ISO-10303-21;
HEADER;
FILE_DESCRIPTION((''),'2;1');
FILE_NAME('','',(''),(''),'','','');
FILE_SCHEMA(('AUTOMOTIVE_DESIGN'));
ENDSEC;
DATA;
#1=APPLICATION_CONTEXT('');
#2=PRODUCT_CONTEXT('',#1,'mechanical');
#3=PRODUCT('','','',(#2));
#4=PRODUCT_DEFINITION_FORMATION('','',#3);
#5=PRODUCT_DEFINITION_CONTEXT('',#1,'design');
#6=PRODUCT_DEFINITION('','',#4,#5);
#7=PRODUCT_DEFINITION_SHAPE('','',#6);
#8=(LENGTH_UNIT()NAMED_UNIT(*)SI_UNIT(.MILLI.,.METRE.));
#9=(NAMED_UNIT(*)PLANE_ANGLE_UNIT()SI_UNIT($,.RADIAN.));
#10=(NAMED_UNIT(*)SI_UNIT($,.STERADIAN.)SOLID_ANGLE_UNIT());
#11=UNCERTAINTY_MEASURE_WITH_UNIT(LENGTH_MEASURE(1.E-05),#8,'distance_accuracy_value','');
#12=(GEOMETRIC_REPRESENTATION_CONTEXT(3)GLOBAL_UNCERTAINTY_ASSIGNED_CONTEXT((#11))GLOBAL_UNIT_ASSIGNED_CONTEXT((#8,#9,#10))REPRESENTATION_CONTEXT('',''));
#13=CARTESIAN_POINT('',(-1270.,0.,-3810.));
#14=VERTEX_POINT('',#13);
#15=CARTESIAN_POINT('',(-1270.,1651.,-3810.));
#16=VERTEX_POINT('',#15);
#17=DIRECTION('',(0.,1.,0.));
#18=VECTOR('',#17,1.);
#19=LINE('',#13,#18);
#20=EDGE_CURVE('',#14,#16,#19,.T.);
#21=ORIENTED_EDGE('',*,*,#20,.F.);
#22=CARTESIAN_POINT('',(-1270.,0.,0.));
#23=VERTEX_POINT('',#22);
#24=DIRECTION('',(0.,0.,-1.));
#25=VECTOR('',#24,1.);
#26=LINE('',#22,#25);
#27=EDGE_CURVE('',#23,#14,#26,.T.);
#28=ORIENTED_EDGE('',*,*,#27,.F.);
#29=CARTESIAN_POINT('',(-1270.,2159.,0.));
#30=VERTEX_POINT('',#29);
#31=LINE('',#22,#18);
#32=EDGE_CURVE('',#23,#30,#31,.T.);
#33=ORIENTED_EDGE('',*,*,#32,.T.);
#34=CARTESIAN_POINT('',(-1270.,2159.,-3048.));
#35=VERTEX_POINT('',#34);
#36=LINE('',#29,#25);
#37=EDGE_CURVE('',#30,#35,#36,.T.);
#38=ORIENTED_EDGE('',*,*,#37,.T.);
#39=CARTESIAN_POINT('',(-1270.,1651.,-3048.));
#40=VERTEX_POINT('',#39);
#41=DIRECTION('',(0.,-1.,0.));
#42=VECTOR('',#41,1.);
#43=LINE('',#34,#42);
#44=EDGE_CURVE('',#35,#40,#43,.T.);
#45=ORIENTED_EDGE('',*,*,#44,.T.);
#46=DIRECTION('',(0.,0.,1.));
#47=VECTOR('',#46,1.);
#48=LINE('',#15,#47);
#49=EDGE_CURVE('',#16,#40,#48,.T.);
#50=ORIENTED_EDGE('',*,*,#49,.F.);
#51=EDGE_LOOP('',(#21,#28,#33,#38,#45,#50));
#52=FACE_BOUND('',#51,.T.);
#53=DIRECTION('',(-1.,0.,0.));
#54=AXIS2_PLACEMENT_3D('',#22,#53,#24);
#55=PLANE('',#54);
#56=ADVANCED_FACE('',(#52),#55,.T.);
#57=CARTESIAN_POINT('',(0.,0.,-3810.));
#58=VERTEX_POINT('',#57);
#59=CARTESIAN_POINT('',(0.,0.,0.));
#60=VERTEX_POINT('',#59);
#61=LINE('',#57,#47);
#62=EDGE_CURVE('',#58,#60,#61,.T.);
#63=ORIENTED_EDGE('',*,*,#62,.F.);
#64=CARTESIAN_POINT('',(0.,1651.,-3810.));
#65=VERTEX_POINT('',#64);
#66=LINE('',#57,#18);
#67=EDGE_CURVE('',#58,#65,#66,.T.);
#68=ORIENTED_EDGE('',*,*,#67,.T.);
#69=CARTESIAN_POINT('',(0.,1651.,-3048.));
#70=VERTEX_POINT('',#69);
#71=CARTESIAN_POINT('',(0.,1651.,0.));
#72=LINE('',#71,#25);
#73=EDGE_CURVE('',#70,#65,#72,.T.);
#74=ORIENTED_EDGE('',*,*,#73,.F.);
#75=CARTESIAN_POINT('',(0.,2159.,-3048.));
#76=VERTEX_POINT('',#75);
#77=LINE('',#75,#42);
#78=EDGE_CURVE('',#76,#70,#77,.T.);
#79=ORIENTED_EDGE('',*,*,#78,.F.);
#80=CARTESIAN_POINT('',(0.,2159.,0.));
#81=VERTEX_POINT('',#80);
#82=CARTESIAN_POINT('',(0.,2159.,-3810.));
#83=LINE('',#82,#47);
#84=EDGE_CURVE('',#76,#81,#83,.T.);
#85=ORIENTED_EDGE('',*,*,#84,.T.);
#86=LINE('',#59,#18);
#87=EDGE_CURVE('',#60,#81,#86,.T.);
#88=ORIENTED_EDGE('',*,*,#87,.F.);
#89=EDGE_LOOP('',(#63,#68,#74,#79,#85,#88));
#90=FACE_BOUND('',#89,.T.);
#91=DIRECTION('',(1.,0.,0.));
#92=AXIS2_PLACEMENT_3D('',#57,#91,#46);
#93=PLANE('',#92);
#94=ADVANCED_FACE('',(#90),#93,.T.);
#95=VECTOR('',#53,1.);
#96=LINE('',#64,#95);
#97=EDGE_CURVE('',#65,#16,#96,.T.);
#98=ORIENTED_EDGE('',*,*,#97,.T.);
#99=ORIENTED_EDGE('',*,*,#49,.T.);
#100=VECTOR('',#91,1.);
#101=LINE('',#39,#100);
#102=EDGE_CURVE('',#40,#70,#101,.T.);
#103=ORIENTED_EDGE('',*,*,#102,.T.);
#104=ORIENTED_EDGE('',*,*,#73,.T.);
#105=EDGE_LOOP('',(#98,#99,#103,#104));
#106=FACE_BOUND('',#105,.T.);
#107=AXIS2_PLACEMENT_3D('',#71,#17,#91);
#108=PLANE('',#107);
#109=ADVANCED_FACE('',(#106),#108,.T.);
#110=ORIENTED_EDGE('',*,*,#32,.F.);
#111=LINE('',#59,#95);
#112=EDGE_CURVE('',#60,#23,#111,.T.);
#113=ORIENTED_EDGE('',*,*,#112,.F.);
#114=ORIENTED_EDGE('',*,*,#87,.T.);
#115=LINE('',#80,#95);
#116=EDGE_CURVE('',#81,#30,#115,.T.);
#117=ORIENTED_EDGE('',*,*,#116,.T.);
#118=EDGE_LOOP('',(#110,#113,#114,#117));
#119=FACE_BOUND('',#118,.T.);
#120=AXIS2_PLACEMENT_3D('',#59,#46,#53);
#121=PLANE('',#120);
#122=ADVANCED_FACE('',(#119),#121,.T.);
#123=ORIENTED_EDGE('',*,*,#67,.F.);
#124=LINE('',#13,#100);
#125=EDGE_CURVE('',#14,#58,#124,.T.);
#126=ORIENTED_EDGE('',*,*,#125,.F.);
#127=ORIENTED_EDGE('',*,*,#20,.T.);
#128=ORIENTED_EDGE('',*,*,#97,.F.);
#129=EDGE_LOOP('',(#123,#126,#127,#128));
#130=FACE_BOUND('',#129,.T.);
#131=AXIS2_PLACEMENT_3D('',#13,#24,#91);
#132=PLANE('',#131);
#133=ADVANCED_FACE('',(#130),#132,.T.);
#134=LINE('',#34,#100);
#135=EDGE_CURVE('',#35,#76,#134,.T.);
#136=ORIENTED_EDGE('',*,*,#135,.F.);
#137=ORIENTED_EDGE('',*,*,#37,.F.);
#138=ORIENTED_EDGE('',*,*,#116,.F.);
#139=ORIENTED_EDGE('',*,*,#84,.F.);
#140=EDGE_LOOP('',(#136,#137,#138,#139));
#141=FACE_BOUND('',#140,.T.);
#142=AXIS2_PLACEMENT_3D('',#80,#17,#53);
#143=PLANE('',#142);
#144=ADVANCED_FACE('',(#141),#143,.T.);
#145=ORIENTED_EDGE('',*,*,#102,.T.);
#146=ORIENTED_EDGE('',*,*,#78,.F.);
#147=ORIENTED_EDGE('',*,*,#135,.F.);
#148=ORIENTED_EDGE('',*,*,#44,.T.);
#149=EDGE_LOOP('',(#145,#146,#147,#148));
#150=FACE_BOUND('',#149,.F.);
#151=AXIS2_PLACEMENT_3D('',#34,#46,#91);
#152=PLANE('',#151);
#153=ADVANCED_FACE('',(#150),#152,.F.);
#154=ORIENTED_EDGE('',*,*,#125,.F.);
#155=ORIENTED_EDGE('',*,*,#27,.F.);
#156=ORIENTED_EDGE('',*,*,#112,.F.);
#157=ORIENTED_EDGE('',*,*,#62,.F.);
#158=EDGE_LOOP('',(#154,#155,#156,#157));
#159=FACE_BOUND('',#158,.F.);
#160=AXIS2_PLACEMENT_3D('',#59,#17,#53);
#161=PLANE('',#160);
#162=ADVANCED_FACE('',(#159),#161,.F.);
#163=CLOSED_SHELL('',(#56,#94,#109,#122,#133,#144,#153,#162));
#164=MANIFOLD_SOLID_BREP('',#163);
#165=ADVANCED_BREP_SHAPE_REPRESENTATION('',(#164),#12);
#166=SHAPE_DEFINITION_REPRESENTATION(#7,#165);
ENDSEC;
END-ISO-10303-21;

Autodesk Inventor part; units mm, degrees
ref_plane "YZ Plane" through (0, 0, 0) normal (1, 0, 0) x (0, 1, 0)
ref_plane "XZ Plane" through (0, 0, 0) normal (0, 1, 0) x (-1, 0, 0)
ref_plane "XY Plane" through (0, 0, 0) normal (0, 0, 1) x (1, 0, 0)
sketch "Sketch1" plane through (0, 0, 0) normal (0, 1, 0) x (-1, 0, 0)
  line L0 (0, 0) -> (1270, 0)
  line L1 (1270, 0) -> (1270, -3810)
  line L2 (1270, -3810) -> (0, -3810)
  line L3 (0, -3810) -> (0, 0)
  dimension "d0" = 3810
  dimension "d1" = 1270
extrude "Extrusion1" add sketch "Sketch1" along normal blind 2159
sketch "Sketch2" plane through (0, 2159, 0) normal (0, 1, 0) x (1, 0, 0)
  line L0 (0, 0) -> (0, 3810) projected
  line L1 (0, 3810) -> (-1270, 3810) projected
  line L2 (-1270, 3810) -> (-1270, 0) projected
  line L3 (-1270, 3048) -> (0, 3048)
  dimension "d5" = 762
extrude "Extrusion2" cut sketch "Sketch2" against normal blind 508
properties part number "CNC"
